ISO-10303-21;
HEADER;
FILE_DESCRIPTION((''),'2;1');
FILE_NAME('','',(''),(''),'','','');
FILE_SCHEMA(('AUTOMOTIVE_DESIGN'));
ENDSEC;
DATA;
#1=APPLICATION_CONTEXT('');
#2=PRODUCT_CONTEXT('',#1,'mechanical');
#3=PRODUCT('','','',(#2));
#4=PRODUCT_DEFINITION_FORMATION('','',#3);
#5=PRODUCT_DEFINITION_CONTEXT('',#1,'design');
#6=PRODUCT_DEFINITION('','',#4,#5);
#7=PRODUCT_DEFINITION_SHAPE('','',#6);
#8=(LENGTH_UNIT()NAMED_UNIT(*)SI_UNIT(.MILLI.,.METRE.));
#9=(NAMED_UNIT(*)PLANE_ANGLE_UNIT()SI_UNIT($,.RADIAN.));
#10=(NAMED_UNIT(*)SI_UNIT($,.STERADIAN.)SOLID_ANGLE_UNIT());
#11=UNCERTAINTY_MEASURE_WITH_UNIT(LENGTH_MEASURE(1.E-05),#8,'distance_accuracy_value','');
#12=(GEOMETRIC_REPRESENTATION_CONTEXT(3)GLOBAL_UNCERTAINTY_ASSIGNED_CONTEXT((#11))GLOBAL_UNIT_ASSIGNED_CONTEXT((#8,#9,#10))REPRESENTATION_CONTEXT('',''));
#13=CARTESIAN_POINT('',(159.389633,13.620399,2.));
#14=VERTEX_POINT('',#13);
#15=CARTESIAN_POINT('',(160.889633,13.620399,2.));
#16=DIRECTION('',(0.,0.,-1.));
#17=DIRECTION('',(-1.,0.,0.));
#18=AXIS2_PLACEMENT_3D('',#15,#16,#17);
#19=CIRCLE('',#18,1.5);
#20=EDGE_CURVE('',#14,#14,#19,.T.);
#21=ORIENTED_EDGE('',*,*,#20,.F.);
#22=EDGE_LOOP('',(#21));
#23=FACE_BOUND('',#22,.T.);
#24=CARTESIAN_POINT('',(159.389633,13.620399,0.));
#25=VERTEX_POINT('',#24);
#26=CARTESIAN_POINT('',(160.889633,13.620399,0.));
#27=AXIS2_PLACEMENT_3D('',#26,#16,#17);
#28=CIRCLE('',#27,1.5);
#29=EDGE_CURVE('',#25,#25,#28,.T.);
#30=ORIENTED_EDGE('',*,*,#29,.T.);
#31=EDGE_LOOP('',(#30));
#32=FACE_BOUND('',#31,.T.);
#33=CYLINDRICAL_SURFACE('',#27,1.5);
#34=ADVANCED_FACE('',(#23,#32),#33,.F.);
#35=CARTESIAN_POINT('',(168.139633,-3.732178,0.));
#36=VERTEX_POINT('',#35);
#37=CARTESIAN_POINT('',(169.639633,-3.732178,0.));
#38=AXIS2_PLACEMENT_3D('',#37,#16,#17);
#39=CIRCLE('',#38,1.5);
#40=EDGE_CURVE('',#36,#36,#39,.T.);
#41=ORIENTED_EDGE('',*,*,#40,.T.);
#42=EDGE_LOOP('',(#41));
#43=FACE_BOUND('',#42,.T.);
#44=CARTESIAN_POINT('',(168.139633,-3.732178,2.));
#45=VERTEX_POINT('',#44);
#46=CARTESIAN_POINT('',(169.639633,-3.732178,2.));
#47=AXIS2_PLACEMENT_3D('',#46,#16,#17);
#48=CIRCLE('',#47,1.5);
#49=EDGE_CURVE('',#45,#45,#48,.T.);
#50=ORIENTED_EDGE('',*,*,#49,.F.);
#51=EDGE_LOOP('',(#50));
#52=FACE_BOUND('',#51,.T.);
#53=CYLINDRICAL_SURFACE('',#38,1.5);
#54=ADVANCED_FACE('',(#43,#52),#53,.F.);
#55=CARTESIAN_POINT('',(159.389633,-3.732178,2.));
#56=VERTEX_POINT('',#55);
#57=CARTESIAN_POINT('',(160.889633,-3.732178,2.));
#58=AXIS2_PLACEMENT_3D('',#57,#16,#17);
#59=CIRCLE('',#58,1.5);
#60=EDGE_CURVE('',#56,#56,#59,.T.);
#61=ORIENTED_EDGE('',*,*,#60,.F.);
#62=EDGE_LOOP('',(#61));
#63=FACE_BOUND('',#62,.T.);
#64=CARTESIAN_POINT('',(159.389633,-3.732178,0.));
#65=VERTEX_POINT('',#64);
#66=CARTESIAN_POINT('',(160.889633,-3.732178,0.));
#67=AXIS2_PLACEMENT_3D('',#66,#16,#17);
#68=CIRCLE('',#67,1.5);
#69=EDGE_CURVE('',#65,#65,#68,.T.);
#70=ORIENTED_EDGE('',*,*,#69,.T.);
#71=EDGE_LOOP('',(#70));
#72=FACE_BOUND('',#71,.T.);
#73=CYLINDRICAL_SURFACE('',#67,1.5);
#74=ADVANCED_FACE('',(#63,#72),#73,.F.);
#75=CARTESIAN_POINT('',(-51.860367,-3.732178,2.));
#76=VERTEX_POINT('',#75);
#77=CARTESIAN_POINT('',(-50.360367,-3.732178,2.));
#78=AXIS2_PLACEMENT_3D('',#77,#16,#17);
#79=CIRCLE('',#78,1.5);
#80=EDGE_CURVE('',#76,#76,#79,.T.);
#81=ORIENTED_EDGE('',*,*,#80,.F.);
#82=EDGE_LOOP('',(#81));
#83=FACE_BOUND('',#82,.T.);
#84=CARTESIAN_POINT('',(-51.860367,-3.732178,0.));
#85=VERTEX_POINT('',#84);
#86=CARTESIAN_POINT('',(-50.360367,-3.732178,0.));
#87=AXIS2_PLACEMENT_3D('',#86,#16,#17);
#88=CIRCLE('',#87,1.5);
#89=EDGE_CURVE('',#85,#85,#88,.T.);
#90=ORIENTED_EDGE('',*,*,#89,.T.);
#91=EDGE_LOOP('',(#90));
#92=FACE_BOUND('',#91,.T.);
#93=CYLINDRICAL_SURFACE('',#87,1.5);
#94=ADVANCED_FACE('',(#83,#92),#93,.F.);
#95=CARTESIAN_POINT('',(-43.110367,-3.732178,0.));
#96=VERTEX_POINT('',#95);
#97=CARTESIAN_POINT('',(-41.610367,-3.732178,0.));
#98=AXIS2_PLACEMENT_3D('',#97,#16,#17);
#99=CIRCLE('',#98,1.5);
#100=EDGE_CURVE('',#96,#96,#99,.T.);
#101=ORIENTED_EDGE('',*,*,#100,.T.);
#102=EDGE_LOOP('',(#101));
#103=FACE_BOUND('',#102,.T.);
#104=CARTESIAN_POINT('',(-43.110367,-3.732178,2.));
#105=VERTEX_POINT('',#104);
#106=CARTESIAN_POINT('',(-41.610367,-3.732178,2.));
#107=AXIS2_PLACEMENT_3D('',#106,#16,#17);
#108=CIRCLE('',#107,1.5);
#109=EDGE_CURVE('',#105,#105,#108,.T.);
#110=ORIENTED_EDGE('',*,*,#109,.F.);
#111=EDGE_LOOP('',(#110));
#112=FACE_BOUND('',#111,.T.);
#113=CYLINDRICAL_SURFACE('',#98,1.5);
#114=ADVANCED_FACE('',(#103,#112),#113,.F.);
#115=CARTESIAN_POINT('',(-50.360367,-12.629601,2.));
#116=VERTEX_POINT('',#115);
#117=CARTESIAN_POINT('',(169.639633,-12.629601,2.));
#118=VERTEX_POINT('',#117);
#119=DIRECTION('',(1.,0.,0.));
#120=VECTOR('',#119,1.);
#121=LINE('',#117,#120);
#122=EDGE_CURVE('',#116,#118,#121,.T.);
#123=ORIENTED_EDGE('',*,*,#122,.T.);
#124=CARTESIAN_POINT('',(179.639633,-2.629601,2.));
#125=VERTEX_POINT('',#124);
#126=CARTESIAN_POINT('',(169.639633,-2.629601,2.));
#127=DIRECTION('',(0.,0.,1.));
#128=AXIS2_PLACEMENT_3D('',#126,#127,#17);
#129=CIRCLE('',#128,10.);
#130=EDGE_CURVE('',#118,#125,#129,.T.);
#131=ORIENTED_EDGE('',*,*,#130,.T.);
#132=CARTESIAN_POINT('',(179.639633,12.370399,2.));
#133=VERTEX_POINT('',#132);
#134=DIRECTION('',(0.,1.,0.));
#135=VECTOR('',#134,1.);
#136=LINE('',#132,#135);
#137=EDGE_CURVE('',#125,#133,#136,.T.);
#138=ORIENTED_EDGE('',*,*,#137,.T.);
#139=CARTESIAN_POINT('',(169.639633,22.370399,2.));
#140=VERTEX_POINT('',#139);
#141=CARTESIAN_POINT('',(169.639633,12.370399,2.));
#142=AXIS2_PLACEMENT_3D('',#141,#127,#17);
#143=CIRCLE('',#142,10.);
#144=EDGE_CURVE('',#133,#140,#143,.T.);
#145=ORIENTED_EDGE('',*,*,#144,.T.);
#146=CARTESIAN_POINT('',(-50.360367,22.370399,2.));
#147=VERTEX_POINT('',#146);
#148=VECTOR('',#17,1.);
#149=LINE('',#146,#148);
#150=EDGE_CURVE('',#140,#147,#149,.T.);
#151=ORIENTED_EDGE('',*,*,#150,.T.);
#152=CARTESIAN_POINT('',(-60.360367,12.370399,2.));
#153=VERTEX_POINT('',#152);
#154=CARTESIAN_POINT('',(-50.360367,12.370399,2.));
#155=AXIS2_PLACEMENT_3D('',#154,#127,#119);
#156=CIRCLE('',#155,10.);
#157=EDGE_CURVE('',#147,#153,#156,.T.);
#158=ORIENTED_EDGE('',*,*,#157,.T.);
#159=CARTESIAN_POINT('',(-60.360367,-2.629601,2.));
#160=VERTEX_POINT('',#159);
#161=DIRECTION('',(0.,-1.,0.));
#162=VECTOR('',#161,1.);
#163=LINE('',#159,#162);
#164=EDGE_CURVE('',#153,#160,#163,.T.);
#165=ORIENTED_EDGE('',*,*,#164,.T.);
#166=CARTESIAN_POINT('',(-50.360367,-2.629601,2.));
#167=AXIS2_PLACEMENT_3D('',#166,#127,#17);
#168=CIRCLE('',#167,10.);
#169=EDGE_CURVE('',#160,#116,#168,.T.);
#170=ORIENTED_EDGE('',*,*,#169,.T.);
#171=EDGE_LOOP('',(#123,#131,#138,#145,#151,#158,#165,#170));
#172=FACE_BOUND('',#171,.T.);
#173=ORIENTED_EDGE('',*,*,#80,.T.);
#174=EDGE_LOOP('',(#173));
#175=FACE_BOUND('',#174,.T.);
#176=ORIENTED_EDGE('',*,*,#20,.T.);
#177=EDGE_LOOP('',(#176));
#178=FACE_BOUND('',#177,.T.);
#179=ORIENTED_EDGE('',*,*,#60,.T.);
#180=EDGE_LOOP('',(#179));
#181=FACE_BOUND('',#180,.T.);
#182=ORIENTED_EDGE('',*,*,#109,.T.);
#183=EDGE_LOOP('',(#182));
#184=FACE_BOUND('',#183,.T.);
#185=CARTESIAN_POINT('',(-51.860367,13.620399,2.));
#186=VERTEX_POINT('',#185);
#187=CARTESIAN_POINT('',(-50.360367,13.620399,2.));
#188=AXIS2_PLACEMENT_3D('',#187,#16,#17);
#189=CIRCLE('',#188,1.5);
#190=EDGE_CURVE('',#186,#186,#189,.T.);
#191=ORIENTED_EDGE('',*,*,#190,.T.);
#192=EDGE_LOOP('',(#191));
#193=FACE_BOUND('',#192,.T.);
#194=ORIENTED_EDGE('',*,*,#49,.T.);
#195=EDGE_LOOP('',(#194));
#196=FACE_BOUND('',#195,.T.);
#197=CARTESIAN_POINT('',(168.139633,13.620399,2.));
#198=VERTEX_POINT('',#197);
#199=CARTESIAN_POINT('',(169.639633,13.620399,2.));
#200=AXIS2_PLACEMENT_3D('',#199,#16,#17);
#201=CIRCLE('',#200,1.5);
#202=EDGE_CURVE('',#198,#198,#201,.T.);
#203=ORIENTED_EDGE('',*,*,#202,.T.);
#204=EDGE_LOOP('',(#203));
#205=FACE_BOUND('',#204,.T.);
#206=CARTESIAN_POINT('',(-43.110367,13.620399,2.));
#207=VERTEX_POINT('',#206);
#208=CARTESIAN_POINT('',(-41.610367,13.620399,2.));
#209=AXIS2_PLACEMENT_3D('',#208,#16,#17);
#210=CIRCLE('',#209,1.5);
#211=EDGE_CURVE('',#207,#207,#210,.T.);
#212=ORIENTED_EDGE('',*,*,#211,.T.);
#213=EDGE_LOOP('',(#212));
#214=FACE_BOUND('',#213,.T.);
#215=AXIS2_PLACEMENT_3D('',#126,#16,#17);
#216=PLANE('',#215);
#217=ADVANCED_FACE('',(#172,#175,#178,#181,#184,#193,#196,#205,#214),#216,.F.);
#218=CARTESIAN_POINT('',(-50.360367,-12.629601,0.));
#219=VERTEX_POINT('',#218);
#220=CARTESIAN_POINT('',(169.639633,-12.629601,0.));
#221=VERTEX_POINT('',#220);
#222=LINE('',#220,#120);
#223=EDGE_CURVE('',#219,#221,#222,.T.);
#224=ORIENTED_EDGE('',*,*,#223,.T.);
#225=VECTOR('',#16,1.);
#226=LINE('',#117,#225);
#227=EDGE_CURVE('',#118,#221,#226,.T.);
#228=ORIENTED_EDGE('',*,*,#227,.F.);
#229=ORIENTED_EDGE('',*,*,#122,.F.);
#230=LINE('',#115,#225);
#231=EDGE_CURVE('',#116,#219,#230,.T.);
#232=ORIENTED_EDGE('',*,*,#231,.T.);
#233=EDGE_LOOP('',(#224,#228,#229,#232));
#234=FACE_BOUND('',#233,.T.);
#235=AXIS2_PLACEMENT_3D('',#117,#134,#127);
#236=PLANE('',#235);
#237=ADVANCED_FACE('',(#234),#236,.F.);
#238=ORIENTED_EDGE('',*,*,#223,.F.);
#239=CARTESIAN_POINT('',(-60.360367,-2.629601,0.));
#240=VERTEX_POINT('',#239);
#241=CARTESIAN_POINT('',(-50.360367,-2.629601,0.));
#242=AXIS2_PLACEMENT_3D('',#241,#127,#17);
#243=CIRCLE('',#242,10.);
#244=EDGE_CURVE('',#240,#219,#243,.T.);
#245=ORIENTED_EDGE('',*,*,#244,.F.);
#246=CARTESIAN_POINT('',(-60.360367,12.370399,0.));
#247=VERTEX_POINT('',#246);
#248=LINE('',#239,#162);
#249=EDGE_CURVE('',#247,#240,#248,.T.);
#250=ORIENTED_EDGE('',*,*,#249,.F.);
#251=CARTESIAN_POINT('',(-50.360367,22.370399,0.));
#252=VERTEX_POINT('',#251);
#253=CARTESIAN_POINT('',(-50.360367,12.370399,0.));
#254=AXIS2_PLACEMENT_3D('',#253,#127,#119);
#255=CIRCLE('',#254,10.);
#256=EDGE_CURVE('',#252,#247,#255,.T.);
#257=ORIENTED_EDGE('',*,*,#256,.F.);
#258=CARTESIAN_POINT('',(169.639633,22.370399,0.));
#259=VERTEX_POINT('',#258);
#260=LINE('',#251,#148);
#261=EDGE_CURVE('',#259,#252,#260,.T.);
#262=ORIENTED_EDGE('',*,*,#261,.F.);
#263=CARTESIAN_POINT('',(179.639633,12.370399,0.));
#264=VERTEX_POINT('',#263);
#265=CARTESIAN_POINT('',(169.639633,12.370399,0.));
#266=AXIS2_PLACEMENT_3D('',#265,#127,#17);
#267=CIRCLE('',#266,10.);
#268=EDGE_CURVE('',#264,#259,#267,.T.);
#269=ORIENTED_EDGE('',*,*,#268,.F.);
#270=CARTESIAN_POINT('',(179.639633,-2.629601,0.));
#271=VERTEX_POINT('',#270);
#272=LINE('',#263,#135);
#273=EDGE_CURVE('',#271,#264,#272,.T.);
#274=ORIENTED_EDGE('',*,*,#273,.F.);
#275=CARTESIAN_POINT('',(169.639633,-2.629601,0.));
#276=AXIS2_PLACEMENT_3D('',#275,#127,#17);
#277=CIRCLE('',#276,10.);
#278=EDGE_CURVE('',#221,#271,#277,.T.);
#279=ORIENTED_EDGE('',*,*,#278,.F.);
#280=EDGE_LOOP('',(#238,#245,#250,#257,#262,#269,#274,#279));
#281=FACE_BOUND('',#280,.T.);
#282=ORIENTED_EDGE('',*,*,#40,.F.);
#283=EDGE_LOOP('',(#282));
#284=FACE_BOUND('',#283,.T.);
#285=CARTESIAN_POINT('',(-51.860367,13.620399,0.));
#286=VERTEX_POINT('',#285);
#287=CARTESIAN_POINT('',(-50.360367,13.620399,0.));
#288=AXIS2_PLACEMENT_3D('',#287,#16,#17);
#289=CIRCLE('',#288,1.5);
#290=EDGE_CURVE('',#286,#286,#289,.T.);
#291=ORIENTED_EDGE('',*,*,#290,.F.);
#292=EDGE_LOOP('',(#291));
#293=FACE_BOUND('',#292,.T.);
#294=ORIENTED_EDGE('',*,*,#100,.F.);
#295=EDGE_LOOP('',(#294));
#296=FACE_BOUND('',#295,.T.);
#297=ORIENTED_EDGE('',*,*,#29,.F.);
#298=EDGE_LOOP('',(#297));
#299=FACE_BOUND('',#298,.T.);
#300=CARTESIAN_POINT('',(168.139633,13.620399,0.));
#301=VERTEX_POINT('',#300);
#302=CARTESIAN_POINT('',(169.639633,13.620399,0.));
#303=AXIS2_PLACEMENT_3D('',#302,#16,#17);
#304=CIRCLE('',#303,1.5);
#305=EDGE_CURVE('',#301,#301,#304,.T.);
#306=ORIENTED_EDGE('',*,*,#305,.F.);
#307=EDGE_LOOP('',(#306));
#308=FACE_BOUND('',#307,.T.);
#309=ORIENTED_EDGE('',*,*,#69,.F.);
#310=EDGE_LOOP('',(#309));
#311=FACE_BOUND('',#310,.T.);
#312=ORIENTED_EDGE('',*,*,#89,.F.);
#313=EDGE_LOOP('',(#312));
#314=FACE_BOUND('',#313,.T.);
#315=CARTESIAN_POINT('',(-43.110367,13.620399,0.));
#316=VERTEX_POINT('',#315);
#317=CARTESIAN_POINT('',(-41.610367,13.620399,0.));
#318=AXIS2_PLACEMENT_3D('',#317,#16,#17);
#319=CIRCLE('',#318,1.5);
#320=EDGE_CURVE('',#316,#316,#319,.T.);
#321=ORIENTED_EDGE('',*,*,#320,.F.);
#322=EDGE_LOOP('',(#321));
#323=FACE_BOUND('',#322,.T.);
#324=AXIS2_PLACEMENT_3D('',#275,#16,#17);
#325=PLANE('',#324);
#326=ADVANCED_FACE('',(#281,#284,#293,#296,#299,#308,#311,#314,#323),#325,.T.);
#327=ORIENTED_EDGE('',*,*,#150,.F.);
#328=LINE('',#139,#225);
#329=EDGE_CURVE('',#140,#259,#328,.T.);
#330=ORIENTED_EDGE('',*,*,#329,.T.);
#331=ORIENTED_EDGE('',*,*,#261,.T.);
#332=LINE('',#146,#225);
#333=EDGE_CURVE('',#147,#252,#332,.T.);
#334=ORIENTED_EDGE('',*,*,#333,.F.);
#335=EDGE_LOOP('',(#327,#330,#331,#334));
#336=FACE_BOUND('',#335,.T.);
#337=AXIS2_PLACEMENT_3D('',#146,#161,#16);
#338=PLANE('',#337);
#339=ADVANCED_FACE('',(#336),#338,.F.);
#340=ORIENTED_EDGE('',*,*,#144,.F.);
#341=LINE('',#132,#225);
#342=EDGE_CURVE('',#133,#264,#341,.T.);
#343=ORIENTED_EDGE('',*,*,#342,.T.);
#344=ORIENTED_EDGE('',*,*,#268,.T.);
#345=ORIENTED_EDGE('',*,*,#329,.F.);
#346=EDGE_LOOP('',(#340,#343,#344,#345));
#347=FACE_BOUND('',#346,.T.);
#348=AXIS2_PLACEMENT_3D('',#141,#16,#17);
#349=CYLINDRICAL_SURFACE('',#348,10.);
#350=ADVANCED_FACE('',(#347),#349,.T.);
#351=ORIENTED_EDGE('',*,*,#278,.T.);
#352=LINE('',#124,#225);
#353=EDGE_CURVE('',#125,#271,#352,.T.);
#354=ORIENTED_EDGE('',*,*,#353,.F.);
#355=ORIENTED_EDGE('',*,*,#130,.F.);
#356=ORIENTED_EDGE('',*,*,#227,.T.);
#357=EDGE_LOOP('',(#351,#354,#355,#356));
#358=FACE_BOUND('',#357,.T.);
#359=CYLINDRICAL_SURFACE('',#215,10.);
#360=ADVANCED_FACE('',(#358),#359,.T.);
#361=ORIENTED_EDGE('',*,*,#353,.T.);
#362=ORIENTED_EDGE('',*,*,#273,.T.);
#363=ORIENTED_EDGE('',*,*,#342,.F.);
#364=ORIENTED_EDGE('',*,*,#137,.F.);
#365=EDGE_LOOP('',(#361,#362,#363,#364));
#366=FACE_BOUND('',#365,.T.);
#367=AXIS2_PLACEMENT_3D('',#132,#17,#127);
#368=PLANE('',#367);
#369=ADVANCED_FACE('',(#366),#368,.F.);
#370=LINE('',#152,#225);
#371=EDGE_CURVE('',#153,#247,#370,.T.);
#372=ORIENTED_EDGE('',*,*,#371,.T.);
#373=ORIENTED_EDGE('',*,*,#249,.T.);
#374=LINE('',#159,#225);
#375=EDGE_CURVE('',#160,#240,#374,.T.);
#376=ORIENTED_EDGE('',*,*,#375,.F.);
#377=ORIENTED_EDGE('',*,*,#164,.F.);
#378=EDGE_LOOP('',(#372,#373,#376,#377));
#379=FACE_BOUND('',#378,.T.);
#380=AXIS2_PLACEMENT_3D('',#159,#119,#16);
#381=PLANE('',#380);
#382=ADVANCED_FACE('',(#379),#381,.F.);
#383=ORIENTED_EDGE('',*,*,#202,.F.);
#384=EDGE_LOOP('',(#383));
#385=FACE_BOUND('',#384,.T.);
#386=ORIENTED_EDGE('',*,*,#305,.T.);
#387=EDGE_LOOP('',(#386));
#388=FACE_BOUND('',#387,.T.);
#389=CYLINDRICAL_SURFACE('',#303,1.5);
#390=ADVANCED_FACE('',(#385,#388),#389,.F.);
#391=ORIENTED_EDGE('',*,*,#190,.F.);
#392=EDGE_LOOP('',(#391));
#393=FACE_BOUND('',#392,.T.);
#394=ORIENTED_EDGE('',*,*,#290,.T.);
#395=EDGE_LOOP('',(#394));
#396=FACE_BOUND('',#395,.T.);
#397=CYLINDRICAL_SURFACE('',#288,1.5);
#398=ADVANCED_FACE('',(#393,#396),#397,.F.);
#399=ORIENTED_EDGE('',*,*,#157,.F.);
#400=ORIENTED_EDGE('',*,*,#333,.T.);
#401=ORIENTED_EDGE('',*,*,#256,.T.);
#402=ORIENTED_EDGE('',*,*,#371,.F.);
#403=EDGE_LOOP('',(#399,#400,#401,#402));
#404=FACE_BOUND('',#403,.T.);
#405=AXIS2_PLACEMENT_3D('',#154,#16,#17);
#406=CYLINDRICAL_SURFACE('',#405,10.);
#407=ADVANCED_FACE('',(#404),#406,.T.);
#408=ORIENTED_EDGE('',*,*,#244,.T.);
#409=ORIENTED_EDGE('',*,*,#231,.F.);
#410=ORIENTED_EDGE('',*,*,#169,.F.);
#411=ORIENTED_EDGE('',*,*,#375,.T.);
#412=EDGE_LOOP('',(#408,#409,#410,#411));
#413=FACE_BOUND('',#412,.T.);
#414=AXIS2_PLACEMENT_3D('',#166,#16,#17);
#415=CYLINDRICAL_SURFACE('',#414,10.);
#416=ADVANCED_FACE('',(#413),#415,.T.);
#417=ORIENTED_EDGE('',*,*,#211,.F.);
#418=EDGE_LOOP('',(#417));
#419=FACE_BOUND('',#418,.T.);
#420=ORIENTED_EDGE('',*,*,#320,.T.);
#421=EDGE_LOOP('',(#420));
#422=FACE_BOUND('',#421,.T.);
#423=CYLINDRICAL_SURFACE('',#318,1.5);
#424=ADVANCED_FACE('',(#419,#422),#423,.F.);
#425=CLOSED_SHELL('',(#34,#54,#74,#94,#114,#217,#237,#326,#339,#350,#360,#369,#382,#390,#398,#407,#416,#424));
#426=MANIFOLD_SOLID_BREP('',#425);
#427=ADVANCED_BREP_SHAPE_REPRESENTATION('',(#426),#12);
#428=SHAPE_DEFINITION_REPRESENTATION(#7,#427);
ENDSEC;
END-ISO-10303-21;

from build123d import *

# Parameters (mm, degrees)
EXTRUDE_1_DEPTH = 2
MM_2_D          = 3
MM_3_D          = 3


with BuildPart() as part:
    # 草图2 → 凸台-拉伸1 (new body)
    with BuildSketch(Plane.XY):
        with BuildLine():
            Line((-50.360367403, 22.370399323), (169.639632597, 22.370399323))
            ThreePointArc((169.639632597, 22.370399323), (176.710700409, 19.441467134), (179.639632597, 12.370399323))
            Line((179.639632597, 12.370399323), (179.639632597, -2.629600677))
            ThreePointArc((179.639632597, -2.629600677), (176.710700409, -9.700668489), (169.639632597, -12.629600677))
            Line((169.639632597, -12.629600677), (-50.360367403, -12.629600677))
            ThreePointArc((-50.360367403, -12.629600677), (-57.431435215, -9.700668489), (-60.360367403, -2.629600677))
            Line((-60.360367403, -2.629600677), (-60.360367403, 12.370399323))
            ThreePointArc((-60.360367403, 12.370399323), (-57.431435215, 19.441467134), (-50.360367403, 22.370399323))
        make_face()
    extrude(amount=EXTRUDE_1_DEPTH)

    # 大小mm 暗销孔2 (through all)
    with Locations(Plane(origin=(-41.610367403, 13.620399323, 0), x_dir=(-1, 0, 0), z_dir=(0, 0, -1))):
        with Locations((0, 0), (8.75, 0), (0, -17.352577314), (8.75, -17.352577314)):
            Hole(MM_2_D / 2)

    # 大小mm 暗销孔3 (through all)
    with Locations(Plane(origin=(169.639632597, 13.620399323, 0), x_dir=(-1, 0, 0), z_dir=(0, 0, -1))):
        with Locations((0, 0), (8.75, 0), (8.75, -17.352577314), (0, -17.352577314)):
            Hole(MM_3_D / 2)


solid = part.part
